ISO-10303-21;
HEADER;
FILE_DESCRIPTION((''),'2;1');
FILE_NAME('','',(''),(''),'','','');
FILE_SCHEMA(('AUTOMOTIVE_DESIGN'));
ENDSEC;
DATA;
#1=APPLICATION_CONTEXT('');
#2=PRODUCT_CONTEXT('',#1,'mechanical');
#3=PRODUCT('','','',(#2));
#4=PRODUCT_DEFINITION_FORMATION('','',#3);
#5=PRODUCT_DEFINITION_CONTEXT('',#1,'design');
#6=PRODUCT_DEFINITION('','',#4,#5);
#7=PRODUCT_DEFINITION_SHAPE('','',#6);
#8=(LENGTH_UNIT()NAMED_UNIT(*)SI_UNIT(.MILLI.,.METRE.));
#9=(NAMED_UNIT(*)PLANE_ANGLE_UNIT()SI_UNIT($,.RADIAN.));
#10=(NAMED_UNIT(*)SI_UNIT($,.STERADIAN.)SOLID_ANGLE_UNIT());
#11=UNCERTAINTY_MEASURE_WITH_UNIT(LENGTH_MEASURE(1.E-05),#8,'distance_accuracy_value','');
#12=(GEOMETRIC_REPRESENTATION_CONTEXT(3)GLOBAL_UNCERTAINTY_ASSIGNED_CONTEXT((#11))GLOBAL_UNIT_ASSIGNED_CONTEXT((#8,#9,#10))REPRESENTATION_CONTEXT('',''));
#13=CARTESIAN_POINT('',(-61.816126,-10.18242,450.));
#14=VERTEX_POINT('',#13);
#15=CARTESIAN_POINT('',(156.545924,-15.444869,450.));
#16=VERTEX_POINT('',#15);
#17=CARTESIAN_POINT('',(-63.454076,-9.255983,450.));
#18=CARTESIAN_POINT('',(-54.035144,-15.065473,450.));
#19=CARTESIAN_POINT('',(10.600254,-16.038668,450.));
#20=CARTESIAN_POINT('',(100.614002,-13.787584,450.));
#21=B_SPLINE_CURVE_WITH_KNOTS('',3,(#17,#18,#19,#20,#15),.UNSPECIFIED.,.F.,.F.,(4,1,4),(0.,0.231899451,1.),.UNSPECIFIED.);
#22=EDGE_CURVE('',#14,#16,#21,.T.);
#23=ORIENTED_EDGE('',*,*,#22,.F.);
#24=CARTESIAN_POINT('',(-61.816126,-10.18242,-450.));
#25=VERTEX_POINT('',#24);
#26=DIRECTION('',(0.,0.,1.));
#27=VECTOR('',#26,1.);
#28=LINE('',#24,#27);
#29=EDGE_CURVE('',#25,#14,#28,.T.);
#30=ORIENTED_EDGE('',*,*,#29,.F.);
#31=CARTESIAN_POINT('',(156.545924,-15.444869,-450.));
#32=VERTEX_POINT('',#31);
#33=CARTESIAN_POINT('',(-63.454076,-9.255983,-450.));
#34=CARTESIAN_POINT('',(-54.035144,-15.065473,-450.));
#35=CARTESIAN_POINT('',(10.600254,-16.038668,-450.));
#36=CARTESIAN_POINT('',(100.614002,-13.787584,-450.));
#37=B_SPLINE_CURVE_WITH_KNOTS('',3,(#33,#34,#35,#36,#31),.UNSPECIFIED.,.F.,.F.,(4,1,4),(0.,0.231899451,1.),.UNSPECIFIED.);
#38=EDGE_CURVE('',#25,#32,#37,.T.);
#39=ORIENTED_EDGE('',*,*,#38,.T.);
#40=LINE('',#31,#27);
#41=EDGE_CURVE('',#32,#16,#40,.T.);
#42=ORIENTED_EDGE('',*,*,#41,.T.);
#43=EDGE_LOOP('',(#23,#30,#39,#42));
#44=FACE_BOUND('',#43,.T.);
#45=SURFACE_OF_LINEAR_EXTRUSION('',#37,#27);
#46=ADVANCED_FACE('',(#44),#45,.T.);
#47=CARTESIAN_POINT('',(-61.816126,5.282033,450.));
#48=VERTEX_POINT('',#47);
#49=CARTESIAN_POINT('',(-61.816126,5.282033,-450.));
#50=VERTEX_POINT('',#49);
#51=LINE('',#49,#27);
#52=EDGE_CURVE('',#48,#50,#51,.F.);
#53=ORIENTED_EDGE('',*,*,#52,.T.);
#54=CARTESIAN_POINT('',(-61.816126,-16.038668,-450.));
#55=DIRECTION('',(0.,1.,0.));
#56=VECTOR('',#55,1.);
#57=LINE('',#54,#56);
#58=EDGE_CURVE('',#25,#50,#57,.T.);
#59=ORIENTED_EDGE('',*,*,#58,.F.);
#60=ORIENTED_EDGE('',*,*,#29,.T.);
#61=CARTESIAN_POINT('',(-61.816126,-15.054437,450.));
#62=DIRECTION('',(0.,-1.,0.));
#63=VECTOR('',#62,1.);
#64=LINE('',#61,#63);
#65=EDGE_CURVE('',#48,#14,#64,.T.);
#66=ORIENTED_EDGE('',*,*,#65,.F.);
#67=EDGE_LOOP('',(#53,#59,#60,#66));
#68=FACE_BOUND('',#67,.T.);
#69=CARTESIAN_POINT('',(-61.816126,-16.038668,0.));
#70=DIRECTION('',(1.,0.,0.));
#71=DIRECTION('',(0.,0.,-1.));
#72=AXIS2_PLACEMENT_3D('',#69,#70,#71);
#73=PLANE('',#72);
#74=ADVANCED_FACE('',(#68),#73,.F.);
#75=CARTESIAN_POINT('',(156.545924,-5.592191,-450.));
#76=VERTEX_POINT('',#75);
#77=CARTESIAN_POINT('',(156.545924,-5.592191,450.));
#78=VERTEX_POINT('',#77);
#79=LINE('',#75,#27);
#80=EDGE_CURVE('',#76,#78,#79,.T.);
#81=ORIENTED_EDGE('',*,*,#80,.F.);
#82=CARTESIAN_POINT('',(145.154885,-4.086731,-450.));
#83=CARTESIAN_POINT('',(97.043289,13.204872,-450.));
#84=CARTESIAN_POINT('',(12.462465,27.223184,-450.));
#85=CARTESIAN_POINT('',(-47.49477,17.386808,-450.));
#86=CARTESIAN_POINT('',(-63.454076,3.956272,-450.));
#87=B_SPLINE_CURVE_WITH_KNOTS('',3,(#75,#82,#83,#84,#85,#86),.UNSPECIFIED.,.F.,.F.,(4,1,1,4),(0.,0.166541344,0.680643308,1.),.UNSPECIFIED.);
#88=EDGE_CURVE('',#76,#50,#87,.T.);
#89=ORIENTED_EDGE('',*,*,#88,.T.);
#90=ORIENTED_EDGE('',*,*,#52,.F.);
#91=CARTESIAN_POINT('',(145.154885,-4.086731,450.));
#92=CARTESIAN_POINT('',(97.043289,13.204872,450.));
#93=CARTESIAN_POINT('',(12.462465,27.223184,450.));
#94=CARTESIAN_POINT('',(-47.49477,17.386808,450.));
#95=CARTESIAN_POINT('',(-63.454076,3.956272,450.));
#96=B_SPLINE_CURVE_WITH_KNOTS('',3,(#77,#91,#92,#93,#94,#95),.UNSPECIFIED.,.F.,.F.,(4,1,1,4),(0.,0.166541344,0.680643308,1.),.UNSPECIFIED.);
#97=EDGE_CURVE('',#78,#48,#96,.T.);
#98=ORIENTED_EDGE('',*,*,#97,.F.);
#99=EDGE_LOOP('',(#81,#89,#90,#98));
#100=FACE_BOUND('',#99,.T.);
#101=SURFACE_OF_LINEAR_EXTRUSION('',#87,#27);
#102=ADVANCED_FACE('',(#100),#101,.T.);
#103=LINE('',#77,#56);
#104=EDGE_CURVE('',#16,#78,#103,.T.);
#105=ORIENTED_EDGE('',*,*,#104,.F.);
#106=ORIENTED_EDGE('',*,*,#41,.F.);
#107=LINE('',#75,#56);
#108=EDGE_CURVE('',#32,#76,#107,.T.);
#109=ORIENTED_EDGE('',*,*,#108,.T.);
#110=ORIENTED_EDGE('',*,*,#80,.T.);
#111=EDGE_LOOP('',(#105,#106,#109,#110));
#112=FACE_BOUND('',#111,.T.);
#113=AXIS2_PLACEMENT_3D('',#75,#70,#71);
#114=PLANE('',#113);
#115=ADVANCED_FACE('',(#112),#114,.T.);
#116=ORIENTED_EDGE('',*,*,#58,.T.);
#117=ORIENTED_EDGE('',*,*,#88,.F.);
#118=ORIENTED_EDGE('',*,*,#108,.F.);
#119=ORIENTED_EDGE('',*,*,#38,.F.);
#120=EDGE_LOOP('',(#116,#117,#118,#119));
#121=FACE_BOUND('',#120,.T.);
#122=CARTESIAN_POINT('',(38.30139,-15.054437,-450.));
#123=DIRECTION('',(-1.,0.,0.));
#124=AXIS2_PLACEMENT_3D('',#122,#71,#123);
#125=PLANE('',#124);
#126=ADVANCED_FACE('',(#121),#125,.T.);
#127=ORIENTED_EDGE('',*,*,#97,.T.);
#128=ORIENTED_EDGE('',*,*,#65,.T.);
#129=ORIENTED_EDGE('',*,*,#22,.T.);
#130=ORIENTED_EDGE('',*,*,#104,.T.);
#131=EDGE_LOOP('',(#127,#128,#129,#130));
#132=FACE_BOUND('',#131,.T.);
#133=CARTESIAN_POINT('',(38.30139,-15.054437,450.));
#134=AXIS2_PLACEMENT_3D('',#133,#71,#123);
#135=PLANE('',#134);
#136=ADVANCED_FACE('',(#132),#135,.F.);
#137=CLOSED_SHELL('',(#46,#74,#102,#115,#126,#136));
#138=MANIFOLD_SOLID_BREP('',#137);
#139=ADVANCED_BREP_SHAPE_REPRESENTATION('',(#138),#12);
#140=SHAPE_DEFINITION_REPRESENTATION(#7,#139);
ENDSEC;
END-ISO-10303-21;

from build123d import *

# Parameters (mm, degrees)
CUERPOPRINCIPAL_DEPTH      = 450
CUERPOPRINCIPAL_DEPTH_BACK = 450
CROQUIS3_W                 = 1.637949446
CROQUIS3_H                 = 900
REDONDEO_DEPTH             = 479.614524078


with BuildPart() as part:
    # Croquis1 → CuerpoPrincipal (new, two sides: drawn at the far end of the back side and taken through both)
    with BuildSketch(Plane.XY.offset(-CUERPOPRINCIPAL_DEPTH_BACK)):
        with BuildLine():
            Line((-63.454075776, -9.255983256), (-63.454075776, 3.956272273))
            add(Edge.make_bspline(
                [(-63.454075776, 3.956272273), (-47.494770498, 17.386808244), (12.462464653, 27.223183656), (97.043288629, 13.204871511), (145.154884918, -4.086730905), (156.545924224, -5.592190829)],
                knots=[0, 0, 0, 0, 0.319356692, 0.833458656, 1, 1, 1, 1], degree=3))
            Line((156.545924224, -5.592190829), (156.545924224, -15.444869207))
            add(Edge.make_bspline(
                [(156.545924224, -15.444869207), (100.614002118, -13.787583975), (10.600254408, -16.03866831), (-54.03514446, -15.065472977), (-63.454075776, -9.255983256)],
                knots=[0, 0, 0, 0, 0.768100549, 1, 1, 1, 1], degree=3))
        make_face()
    extrude(amount=CUERPOPRINCIPAL_DEPTH + CUERPOPRINCIPAL_DEPTH_BACK)

    # Croquis3 → Redondeo (cut, through all)
    with BuildSketch(Plane(origin=(0, 30, 0), x_dir=(1, 0, 0), z_dir=(0, 1, 0))):
        with Locations((-62.635101053, 0)):
            Rectangle(CROQUIS3_W, CROQUIS3_H)
    extrude(amount=-REDONDEO_DEPTH, mode=Mode.SUBTRACT)


solid = part.part
